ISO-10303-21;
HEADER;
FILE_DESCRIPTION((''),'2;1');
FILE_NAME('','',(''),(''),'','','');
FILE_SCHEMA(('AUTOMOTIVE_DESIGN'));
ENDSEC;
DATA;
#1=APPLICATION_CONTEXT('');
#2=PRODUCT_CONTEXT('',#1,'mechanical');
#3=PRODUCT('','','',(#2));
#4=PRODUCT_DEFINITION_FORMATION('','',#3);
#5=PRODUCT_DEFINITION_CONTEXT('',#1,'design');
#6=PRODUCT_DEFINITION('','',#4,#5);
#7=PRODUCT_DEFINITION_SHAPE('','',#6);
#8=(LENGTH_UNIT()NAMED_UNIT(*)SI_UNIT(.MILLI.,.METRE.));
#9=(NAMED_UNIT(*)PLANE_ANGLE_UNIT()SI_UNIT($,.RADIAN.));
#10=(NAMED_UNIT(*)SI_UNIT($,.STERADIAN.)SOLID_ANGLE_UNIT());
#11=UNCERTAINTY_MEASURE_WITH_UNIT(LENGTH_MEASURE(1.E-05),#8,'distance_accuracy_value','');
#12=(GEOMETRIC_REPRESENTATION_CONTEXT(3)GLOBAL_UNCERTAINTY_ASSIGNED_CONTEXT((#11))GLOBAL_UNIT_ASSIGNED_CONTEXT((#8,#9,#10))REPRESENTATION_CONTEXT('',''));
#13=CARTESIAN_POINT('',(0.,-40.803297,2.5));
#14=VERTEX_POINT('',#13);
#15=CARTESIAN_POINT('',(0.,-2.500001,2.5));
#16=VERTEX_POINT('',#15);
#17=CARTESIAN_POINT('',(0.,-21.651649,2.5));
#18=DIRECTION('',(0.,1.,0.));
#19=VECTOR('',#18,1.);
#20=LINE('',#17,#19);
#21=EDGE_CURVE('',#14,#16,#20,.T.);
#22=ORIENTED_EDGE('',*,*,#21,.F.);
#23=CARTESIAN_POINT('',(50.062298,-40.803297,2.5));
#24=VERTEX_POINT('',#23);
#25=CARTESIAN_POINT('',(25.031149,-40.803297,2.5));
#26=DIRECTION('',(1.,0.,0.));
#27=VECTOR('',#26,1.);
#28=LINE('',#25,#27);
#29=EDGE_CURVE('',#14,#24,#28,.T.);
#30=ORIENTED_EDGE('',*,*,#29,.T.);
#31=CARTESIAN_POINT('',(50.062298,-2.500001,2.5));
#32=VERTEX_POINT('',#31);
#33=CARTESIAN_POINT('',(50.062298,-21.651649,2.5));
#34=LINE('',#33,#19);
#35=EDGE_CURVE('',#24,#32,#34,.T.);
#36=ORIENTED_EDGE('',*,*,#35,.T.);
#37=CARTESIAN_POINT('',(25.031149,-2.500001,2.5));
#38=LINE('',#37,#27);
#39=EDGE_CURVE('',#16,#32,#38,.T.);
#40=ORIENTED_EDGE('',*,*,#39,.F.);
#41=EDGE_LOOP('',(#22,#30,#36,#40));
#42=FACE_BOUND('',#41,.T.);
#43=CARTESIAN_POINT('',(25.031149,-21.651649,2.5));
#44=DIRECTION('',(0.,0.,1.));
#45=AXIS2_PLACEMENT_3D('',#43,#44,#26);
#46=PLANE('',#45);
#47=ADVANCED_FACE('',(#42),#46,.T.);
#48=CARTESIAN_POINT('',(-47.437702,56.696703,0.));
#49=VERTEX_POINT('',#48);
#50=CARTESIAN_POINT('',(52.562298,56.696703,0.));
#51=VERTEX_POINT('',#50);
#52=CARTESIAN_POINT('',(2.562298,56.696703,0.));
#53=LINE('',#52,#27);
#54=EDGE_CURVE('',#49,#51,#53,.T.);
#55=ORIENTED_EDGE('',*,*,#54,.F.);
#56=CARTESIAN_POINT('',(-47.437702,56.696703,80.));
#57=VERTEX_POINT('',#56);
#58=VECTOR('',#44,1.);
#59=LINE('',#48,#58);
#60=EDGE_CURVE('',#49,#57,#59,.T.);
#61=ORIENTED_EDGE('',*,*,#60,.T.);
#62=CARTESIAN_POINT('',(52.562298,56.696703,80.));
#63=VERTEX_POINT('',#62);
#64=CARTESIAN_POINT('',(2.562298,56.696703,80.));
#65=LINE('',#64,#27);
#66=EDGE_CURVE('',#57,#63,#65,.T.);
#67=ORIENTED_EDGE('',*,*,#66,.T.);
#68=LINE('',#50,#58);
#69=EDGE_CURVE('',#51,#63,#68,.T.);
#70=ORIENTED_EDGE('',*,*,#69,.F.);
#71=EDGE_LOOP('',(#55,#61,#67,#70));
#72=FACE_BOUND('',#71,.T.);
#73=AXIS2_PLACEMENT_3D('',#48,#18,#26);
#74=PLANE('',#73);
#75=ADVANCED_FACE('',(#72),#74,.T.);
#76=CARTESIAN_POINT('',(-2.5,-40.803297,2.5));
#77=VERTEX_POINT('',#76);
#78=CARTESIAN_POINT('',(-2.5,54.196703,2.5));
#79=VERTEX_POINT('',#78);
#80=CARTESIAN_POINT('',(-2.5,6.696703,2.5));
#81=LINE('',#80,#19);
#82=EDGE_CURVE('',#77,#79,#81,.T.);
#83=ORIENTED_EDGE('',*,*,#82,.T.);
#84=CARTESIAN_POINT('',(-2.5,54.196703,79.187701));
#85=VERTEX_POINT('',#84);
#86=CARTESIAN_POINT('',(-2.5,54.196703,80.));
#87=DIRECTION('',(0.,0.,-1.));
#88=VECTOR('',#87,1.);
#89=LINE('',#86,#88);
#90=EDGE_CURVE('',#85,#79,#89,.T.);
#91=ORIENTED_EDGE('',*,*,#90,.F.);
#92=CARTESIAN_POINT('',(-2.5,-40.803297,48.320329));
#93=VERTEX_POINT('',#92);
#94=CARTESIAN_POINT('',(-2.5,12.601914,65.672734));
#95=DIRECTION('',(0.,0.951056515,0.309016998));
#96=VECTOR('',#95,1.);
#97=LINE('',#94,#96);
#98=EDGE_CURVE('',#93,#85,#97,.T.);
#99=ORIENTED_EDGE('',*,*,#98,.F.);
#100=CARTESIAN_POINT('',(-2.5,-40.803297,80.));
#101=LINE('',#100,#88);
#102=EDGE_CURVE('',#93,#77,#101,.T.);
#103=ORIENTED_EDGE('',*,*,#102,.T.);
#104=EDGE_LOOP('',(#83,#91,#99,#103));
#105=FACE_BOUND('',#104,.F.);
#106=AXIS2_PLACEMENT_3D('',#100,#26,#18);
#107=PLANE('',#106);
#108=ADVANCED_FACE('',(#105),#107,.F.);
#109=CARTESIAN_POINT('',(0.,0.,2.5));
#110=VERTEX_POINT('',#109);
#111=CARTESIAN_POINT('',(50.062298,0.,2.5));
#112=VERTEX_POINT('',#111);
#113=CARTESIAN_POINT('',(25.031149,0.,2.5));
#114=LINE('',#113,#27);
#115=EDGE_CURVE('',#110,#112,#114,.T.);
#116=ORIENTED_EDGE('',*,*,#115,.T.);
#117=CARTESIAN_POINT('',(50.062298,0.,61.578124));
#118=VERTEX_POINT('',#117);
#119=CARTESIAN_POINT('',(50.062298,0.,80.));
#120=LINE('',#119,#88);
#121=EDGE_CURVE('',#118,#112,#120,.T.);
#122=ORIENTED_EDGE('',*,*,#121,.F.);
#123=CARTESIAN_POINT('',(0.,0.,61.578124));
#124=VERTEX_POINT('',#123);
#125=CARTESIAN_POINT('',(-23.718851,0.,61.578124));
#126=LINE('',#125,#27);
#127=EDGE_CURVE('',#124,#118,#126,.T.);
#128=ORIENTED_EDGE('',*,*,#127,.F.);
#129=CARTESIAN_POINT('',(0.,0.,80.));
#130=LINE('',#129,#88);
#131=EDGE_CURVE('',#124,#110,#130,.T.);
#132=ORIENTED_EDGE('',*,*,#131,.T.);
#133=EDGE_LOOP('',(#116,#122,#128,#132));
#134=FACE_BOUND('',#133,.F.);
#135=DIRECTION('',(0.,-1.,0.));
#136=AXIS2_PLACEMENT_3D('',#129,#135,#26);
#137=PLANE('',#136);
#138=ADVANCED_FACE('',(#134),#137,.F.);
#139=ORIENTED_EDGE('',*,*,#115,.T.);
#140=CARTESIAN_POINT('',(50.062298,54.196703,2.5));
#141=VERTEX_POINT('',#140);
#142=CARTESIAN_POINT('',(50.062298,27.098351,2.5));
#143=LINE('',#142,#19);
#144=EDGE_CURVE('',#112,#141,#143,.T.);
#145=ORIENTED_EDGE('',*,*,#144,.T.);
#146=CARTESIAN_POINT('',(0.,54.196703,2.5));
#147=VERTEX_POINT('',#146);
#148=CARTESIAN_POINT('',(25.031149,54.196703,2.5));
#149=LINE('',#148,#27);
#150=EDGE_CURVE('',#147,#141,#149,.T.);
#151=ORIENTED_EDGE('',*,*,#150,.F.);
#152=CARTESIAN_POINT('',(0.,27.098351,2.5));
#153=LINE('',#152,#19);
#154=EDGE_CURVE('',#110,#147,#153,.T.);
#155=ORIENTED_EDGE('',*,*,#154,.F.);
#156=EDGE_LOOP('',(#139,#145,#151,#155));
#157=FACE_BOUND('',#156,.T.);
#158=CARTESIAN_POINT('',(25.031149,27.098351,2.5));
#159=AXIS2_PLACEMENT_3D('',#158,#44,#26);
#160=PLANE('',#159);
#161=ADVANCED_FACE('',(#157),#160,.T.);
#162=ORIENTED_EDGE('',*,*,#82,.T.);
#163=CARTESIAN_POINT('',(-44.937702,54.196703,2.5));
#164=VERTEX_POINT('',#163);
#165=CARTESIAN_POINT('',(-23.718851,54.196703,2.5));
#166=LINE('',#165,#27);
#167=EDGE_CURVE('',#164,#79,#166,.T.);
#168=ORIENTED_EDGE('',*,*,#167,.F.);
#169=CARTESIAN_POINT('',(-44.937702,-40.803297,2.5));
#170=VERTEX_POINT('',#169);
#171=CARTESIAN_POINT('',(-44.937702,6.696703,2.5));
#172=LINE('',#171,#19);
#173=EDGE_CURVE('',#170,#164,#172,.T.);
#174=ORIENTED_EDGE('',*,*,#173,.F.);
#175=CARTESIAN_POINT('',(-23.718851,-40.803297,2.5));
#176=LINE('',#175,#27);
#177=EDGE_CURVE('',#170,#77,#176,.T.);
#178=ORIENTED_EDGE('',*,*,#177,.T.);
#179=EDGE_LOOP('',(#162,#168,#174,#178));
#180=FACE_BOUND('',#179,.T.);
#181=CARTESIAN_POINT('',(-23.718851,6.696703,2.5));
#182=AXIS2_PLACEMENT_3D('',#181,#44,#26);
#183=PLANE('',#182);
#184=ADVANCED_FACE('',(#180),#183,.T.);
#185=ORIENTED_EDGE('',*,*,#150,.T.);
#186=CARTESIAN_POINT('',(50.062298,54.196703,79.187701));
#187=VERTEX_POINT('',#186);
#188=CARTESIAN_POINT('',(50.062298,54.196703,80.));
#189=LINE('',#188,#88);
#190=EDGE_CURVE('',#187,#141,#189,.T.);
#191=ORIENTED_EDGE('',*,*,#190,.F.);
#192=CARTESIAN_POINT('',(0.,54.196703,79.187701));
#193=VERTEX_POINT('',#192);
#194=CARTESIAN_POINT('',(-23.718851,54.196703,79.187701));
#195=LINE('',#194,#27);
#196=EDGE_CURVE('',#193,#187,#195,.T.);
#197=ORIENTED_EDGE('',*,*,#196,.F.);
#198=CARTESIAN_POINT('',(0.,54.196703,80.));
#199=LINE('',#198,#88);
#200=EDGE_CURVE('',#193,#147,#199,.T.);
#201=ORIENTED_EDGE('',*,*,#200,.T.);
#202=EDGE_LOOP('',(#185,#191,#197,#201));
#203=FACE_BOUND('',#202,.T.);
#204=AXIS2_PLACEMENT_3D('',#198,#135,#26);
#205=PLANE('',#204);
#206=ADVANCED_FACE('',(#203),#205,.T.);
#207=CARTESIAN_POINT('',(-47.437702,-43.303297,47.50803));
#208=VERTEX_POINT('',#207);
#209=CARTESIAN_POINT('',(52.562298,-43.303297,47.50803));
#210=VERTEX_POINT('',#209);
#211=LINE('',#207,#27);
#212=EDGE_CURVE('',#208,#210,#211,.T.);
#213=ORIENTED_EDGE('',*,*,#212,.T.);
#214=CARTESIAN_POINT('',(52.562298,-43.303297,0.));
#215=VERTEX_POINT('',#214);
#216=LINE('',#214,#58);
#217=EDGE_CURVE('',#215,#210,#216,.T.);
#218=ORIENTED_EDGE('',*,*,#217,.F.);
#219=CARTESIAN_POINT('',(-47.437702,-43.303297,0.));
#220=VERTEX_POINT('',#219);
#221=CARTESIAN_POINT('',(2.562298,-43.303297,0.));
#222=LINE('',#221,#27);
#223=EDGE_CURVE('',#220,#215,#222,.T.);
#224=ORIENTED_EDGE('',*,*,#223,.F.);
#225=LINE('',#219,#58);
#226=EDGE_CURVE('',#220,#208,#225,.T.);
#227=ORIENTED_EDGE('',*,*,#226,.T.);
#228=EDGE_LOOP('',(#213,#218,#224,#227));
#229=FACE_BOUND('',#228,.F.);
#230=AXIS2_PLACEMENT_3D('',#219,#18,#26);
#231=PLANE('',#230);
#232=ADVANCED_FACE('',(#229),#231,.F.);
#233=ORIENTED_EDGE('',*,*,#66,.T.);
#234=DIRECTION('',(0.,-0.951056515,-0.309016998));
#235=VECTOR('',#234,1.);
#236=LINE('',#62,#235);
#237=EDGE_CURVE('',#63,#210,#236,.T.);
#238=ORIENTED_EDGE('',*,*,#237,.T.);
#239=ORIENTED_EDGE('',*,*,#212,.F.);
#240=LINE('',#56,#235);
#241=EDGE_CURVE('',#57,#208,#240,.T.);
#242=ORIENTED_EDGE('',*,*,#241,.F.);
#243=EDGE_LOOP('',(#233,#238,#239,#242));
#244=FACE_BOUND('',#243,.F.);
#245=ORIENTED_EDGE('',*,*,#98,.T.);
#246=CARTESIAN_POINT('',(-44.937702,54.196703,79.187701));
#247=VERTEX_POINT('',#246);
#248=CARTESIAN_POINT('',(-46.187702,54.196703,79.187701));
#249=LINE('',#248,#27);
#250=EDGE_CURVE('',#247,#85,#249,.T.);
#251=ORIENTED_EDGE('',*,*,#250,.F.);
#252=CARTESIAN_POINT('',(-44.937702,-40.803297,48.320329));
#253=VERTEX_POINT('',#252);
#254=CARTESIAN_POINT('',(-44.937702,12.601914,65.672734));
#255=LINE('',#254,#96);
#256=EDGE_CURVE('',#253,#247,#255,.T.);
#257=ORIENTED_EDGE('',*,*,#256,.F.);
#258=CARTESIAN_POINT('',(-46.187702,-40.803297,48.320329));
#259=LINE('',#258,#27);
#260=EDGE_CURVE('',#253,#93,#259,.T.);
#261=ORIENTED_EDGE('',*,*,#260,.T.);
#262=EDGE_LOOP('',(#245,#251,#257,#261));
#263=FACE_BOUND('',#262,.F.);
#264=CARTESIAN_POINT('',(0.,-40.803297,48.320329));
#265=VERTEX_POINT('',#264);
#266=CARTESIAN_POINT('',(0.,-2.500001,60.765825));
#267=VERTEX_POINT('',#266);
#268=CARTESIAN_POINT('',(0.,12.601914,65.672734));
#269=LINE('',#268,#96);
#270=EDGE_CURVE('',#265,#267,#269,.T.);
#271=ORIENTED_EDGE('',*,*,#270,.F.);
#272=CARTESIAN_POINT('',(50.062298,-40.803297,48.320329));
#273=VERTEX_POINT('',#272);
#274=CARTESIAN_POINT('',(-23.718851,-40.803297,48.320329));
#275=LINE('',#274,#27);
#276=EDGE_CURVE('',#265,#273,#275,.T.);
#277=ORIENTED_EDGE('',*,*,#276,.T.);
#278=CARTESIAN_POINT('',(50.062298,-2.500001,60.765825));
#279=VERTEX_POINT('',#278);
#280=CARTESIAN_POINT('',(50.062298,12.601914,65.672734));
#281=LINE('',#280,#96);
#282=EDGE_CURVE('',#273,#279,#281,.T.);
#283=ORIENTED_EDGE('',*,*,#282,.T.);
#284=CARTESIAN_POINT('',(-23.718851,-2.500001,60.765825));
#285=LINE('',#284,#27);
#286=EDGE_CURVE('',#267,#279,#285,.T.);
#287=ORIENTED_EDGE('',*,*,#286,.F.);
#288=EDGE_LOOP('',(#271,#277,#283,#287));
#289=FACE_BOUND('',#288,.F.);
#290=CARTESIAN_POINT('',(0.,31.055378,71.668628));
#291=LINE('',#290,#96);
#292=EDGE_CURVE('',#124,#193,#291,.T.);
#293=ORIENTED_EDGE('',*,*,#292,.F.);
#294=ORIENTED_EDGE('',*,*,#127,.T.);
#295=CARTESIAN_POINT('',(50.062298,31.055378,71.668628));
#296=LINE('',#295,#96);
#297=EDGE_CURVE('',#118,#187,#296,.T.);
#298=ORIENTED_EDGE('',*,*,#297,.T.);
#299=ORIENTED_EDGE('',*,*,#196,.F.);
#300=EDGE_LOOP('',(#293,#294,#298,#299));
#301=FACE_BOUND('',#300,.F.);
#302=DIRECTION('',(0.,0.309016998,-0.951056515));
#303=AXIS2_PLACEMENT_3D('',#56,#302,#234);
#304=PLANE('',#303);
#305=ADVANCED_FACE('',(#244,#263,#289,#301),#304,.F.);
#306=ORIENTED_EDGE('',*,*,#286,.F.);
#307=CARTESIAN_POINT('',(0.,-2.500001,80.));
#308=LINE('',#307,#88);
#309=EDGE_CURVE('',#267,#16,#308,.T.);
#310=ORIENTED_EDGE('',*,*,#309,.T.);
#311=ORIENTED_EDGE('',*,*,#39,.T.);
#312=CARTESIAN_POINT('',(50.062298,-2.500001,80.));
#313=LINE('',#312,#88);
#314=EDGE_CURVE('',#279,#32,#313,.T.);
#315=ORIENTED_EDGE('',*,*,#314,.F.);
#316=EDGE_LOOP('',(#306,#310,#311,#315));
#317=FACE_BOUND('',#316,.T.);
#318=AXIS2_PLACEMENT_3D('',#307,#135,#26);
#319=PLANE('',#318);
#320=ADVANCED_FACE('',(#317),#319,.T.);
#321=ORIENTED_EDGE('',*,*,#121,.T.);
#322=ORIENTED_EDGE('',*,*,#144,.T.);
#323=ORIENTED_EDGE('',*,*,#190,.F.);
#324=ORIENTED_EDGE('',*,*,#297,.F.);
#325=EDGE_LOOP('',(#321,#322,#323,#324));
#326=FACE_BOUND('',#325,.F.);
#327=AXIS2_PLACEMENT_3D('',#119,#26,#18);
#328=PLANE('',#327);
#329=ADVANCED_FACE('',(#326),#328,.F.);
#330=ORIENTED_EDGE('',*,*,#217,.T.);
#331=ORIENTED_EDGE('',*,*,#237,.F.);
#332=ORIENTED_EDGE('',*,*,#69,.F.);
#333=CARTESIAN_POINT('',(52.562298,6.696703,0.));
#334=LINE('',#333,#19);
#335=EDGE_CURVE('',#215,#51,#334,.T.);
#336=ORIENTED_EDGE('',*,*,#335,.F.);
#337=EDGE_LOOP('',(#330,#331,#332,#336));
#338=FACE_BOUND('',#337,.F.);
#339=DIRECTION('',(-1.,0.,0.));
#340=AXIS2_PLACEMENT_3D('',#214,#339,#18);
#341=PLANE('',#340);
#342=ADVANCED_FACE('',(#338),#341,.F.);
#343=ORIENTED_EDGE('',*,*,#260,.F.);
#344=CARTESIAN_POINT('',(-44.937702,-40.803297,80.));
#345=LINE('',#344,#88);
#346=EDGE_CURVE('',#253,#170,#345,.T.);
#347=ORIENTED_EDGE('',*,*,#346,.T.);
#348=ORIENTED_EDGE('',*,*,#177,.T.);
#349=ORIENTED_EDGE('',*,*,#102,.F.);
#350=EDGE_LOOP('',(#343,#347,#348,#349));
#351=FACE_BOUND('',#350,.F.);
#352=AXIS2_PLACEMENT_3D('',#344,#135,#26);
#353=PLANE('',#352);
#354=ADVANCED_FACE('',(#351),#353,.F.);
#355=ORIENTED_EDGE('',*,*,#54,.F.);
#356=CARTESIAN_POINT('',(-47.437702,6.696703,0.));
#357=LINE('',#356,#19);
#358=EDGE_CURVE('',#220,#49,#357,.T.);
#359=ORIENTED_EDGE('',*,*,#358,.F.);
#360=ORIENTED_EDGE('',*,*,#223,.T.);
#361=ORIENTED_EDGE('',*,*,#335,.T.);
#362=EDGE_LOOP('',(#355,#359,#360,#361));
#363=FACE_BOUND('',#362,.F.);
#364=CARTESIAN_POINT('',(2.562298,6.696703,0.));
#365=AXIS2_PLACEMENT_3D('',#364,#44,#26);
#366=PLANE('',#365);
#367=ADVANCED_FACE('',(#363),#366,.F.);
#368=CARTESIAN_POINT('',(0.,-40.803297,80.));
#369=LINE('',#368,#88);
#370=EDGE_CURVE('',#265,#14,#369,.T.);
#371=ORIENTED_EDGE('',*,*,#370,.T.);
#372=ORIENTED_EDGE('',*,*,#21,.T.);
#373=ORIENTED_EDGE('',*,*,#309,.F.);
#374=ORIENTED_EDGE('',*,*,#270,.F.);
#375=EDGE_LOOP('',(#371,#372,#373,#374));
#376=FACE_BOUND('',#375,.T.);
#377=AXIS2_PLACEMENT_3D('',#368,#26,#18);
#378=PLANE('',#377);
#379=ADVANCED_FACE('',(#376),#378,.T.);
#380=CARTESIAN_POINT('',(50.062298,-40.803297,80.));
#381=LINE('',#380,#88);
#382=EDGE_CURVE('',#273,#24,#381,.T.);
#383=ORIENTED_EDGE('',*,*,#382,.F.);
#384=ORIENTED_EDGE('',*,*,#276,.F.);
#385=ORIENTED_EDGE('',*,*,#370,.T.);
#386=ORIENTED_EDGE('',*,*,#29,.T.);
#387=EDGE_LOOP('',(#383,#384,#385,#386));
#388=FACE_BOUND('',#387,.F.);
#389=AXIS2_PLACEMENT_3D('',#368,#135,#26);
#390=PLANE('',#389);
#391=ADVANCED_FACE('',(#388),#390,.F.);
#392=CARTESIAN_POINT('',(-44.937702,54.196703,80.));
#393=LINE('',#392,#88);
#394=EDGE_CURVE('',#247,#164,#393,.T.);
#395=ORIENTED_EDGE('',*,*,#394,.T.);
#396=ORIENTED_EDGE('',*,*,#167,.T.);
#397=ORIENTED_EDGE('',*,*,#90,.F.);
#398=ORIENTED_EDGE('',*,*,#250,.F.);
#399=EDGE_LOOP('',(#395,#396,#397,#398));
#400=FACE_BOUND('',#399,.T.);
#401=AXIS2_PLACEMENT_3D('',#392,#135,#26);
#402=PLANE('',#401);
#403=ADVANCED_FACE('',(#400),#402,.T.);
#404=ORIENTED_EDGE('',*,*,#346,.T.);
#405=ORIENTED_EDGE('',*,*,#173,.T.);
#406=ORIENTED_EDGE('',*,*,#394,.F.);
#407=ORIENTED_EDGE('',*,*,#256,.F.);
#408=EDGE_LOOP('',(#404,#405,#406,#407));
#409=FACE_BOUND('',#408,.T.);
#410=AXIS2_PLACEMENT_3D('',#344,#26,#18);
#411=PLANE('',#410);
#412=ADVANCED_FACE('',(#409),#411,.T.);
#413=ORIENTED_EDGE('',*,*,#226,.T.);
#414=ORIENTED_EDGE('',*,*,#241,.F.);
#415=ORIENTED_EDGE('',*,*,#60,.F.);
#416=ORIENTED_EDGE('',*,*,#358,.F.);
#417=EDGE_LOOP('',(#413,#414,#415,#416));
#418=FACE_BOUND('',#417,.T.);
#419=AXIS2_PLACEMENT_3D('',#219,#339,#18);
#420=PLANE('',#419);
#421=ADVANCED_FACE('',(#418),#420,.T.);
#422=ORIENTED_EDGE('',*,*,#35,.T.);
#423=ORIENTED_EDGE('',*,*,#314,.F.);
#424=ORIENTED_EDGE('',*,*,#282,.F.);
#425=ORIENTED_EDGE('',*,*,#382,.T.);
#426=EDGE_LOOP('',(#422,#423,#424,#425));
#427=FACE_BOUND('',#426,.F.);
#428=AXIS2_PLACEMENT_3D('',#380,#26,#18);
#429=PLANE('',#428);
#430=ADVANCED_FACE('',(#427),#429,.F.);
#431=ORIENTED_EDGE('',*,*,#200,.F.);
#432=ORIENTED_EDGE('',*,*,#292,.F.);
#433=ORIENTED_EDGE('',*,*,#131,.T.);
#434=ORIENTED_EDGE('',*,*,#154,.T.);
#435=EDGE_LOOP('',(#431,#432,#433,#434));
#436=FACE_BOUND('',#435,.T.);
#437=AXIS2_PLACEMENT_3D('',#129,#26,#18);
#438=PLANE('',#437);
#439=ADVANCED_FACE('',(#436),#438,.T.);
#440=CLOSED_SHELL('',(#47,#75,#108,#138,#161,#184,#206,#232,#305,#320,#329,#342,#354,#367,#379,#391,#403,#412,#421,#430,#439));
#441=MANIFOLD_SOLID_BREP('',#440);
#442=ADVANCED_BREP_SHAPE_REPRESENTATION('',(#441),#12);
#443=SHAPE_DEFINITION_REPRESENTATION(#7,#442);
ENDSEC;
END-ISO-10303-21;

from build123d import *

# Parameters (mm, degrees)
F0_W     = 100
F0_H     = 100
F1_DEPTH = 80
F2_W     = 42.437702
F2_H     = 95
F2_W_2   = 50.062298
F2_H_2   = 54.196703
F2_H_3   = 38.303297
F3_DEPTH = 77.5
F5_DEPTH = 100


with BuildPart() as f1:
    # F0 (on Top) → F1 (new body)
    with BuildSketch(Plane.XY):
        with Locations((2.562298, 6.696703)):
            Rectangle(F0_W, F0_H)
    extrude(amount=F1_DEPTH)

    # F2 (on face) → F3 (cut)
    with BuildSketch(Plane.XY.offset(80)):
        with Locations((-23.718851, 6.696703)):
            Rectangle(F2_W, F2_H)
        with Locations((25.031149, 27.098351)):
            Rectangle(F2_W_2, F2_H_2)
        with Locations((25.031149, -21.651649)):
            Rectangle(F2_W_2, F2_H_3)
    extrude(amount=-F3_DEPTH, mode=Mode.SUBTRACT)

    # F4 (on face) → F5 (cut)
    with BuildSketch(Plane(origin=(-47.437702, 0, 0), x_dir=(0, -1, 0), z_dir=(-1, 0, 0))):
        Polygon((43.303297, 80), (-56.696703, 80), (43.303297, 47.50803), align=None)
    extrude(amount=-F5_DEPTH, mode=Mode.SUBTRACT)


solid = f1.part
